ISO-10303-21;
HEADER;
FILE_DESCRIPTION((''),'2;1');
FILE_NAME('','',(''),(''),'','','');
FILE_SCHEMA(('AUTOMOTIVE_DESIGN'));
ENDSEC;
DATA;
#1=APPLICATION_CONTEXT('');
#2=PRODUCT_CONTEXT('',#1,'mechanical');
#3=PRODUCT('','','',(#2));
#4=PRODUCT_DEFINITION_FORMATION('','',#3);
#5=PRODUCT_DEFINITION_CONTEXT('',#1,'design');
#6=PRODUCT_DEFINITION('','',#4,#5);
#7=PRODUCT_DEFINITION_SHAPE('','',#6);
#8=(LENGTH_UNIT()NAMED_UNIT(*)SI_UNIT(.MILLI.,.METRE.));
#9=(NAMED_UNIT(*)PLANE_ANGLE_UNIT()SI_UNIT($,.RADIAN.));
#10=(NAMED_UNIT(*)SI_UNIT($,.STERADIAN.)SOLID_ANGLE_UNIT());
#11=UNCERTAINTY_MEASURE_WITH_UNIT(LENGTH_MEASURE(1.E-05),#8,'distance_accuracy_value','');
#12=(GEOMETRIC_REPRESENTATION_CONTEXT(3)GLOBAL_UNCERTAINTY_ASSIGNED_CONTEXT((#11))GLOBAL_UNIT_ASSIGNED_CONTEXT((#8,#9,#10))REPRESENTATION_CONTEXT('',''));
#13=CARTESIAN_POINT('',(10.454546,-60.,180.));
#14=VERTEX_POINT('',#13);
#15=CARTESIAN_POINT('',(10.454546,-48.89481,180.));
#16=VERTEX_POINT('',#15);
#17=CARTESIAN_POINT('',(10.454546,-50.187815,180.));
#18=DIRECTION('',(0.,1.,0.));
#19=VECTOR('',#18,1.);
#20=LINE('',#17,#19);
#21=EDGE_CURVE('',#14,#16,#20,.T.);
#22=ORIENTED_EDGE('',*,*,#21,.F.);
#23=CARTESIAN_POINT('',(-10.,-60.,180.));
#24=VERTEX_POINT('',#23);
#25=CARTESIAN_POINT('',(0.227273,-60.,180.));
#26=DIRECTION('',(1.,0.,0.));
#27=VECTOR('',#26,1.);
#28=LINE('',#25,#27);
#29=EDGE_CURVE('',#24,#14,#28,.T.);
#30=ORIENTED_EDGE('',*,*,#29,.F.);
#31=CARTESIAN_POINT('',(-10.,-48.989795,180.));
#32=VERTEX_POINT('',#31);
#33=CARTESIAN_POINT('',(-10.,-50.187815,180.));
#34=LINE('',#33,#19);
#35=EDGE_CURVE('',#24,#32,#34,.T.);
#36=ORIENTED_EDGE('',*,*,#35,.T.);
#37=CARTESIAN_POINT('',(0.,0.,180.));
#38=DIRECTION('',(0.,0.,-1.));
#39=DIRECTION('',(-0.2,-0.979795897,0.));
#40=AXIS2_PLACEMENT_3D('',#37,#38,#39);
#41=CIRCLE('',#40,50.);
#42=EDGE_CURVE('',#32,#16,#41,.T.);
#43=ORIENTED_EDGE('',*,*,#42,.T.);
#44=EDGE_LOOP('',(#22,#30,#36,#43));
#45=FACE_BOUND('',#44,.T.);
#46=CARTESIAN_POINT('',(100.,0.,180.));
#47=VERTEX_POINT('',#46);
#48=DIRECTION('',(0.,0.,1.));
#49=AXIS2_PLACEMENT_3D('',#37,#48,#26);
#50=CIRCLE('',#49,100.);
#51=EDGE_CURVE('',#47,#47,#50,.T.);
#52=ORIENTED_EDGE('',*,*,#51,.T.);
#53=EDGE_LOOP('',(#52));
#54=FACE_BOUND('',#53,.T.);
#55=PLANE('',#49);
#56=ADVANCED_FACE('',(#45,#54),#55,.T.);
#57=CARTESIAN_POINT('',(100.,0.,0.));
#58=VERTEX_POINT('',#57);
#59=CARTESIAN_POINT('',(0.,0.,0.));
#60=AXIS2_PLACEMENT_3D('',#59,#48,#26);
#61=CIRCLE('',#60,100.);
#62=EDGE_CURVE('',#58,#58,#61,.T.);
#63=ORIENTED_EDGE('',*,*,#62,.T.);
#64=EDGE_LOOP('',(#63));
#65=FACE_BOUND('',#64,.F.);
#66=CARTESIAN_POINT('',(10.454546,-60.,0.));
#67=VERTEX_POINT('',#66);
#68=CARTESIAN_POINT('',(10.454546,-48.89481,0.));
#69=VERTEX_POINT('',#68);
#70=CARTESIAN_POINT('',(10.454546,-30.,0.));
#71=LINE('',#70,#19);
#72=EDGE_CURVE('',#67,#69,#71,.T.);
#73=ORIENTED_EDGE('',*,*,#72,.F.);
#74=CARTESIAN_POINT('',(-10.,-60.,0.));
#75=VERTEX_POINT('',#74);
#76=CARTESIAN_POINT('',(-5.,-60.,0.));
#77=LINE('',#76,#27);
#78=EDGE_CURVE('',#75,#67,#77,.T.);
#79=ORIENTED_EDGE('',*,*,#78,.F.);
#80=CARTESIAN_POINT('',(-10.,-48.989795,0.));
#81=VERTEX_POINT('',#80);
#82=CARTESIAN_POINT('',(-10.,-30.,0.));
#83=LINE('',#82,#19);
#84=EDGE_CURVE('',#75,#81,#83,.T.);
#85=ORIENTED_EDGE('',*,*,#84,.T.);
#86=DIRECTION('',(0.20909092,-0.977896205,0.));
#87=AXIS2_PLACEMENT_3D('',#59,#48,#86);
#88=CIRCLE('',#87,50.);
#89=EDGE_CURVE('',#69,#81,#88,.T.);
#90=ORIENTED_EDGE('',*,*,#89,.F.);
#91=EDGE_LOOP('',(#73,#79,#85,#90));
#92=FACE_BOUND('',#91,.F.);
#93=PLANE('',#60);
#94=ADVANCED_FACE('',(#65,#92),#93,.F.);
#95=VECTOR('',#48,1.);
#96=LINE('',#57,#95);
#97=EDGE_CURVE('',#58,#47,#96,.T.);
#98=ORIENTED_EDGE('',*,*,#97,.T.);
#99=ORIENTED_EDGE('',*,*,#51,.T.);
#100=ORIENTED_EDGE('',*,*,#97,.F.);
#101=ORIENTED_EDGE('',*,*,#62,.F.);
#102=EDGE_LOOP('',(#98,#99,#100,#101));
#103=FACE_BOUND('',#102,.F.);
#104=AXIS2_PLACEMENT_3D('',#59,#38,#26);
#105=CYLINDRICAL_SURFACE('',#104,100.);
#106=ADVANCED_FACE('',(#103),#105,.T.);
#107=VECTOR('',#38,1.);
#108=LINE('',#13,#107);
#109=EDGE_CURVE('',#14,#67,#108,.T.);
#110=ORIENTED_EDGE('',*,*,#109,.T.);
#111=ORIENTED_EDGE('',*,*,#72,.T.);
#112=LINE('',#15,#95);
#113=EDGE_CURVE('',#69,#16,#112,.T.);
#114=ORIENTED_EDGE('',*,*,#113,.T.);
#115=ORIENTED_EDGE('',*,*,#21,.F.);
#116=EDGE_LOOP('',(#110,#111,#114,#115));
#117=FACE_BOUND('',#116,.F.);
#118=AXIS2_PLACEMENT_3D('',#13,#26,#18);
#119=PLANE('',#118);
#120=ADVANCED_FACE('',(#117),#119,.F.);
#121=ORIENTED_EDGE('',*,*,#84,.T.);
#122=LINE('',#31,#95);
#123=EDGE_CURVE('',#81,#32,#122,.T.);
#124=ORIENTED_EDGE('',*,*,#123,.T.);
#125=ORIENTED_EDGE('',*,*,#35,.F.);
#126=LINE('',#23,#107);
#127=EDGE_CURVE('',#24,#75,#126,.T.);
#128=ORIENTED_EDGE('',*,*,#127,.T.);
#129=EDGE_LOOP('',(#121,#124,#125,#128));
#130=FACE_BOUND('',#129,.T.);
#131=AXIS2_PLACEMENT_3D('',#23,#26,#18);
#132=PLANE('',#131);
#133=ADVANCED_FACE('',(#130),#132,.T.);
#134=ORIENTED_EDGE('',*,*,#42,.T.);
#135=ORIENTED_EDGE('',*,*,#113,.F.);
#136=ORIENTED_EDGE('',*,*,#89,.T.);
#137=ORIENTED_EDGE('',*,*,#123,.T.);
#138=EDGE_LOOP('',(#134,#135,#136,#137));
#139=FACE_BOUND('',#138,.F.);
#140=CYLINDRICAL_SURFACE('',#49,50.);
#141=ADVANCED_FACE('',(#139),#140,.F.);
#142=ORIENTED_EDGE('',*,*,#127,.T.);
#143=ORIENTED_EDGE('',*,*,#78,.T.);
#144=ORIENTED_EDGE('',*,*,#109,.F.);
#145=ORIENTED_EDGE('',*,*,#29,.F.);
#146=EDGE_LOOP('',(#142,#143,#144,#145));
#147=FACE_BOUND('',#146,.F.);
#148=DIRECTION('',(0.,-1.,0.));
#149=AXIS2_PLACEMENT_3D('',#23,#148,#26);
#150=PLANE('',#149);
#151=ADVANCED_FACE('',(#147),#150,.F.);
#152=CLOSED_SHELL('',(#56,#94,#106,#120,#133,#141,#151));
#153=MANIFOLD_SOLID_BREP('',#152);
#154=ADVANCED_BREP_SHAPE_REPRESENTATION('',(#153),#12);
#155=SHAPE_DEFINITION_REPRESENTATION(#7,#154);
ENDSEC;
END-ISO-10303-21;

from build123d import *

# Parameters (mm, degrees)
F0_R     = 100
F1_DEPTH = 180
F2_R     = 50
F3_DEPTH = 180.001
F4_W     = 20.454546
F4_H     = 19.62437
F5_DEPTH = 180.001


with BuildPart() as f1:
    # F0 (on Top) → F1 (new body)
    with BuildSketch(Plane.XY):
        Circle(F0_R)
    extrude(amount=F1_DEPTH)

    # F2 (on face) → F3 (cut, through all)
    with BuildSketch(Plane.XY.offset(180)):
        Circle(F2_R)
    extrude(amount=-F3_DEPTH, mode=Mode.SUBTRACT)

    # F4 (on face) → F5 (cut, through all)
    with BuildSketch(Plane.XY.offset(180)):
        with Locations((0.227273, -50.187815)):
            Rectangle(F4_W, F4_H)
    extrude(amount=-F5_DEPTH, mode=Mode.SUBTRACT)


solid = f1.part
